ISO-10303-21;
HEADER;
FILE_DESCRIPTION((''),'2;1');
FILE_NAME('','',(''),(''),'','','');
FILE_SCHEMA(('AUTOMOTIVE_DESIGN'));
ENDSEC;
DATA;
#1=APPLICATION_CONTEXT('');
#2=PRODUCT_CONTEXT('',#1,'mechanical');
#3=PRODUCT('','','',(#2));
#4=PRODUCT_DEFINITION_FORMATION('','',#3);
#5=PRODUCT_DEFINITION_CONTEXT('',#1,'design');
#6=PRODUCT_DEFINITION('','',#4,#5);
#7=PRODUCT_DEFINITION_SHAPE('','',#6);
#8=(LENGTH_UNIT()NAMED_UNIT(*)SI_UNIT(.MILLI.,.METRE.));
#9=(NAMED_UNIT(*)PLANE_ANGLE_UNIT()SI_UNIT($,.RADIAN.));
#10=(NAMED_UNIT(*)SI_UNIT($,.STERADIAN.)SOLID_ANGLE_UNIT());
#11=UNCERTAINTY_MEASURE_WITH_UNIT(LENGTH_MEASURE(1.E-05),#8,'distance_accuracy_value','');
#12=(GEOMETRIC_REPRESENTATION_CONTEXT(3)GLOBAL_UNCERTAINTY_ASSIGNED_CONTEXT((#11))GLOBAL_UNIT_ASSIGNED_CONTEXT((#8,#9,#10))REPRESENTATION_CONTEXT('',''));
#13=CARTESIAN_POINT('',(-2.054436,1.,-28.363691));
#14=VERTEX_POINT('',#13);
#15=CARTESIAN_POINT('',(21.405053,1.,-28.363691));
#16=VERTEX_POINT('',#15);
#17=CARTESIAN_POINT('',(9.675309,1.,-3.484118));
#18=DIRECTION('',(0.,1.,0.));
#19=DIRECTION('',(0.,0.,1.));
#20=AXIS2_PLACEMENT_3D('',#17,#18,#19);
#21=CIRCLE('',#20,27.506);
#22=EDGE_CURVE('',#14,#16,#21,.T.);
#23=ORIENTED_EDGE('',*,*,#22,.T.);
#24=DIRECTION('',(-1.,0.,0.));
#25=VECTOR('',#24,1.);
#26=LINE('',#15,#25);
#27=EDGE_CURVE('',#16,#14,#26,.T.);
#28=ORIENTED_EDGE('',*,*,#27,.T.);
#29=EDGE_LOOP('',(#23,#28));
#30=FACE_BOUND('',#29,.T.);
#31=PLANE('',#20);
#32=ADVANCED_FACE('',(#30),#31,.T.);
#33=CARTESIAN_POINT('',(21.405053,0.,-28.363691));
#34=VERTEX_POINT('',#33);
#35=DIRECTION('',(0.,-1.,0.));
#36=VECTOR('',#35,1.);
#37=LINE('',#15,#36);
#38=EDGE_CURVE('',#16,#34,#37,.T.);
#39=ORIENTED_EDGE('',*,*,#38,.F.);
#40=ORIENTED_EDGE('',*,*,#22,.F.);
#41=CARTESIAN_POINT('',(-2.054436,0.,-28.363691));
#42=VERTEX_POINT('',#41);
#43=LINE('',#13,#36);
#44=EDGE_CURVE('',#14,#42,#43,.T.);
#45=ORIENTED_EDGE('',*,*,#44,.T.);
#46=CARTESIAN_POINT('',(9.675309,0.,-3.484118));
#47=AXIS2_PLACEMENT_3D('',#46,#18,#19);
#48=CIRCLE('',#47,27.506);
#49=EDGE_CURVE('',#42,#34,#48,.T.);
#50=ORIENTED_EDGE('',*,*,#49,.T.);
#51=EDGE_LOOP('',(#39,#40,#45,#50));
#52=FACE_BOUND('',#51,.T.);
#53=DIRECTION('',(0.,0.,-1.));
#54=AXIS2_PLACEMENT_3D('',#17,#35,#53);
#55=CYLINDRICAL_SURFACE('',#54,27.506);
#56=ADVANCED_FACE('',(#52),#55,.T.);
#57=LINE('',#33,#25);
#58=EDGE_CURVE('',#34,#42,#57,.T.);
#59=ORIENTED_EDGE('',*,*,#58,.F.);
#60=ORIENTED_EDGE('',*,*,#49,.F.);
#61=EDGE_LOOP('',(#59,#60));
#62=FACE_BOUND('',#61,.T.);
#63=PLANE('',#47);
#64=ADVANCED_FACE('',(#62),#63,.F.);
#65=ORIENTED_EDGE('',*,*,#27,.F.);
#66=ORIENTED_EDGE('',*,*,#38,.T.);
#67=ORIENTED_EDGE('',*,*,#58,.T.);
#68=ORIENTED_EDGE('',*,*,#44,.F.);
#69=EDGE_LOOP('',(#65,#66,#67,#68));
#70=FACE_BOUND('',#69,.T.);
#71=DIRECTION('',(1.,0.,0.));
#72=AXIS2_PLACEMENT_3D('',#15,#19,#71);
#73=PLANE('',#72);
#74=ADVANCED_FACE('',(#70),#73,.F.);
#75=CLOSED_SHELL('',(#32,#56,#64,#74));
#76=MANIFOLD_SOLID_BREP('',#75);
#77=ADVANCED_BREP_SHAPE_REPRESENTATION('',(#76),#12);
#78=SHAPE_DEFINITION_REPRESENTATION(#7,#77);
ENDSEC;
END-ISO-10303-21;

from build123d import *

# Parameters (mm, degrees)
BOSS_EXTRUDE1_DEPTH = 1


with BuildPart() as part:
    # Sketch1 → Boss-Extrude1 (new body)
    with BuildSketch(Plane(origin=(0, 0, 0), x_dir=(-1, 0, 0), z_dir=(0, 1, 0))):
        with BuildLine():
            Line((-21.405052785, -28.363690629), (2.054435731, -28.363690629))
            ThreePointArc((2.054435731, -28.363690629), (-9.675308527, 24.021882029), (-21.405052785, -28.363690629))
        make_face()
    extrude(amount=BOSS_EXTRUDE1_DEPTH)


solid = part.part
